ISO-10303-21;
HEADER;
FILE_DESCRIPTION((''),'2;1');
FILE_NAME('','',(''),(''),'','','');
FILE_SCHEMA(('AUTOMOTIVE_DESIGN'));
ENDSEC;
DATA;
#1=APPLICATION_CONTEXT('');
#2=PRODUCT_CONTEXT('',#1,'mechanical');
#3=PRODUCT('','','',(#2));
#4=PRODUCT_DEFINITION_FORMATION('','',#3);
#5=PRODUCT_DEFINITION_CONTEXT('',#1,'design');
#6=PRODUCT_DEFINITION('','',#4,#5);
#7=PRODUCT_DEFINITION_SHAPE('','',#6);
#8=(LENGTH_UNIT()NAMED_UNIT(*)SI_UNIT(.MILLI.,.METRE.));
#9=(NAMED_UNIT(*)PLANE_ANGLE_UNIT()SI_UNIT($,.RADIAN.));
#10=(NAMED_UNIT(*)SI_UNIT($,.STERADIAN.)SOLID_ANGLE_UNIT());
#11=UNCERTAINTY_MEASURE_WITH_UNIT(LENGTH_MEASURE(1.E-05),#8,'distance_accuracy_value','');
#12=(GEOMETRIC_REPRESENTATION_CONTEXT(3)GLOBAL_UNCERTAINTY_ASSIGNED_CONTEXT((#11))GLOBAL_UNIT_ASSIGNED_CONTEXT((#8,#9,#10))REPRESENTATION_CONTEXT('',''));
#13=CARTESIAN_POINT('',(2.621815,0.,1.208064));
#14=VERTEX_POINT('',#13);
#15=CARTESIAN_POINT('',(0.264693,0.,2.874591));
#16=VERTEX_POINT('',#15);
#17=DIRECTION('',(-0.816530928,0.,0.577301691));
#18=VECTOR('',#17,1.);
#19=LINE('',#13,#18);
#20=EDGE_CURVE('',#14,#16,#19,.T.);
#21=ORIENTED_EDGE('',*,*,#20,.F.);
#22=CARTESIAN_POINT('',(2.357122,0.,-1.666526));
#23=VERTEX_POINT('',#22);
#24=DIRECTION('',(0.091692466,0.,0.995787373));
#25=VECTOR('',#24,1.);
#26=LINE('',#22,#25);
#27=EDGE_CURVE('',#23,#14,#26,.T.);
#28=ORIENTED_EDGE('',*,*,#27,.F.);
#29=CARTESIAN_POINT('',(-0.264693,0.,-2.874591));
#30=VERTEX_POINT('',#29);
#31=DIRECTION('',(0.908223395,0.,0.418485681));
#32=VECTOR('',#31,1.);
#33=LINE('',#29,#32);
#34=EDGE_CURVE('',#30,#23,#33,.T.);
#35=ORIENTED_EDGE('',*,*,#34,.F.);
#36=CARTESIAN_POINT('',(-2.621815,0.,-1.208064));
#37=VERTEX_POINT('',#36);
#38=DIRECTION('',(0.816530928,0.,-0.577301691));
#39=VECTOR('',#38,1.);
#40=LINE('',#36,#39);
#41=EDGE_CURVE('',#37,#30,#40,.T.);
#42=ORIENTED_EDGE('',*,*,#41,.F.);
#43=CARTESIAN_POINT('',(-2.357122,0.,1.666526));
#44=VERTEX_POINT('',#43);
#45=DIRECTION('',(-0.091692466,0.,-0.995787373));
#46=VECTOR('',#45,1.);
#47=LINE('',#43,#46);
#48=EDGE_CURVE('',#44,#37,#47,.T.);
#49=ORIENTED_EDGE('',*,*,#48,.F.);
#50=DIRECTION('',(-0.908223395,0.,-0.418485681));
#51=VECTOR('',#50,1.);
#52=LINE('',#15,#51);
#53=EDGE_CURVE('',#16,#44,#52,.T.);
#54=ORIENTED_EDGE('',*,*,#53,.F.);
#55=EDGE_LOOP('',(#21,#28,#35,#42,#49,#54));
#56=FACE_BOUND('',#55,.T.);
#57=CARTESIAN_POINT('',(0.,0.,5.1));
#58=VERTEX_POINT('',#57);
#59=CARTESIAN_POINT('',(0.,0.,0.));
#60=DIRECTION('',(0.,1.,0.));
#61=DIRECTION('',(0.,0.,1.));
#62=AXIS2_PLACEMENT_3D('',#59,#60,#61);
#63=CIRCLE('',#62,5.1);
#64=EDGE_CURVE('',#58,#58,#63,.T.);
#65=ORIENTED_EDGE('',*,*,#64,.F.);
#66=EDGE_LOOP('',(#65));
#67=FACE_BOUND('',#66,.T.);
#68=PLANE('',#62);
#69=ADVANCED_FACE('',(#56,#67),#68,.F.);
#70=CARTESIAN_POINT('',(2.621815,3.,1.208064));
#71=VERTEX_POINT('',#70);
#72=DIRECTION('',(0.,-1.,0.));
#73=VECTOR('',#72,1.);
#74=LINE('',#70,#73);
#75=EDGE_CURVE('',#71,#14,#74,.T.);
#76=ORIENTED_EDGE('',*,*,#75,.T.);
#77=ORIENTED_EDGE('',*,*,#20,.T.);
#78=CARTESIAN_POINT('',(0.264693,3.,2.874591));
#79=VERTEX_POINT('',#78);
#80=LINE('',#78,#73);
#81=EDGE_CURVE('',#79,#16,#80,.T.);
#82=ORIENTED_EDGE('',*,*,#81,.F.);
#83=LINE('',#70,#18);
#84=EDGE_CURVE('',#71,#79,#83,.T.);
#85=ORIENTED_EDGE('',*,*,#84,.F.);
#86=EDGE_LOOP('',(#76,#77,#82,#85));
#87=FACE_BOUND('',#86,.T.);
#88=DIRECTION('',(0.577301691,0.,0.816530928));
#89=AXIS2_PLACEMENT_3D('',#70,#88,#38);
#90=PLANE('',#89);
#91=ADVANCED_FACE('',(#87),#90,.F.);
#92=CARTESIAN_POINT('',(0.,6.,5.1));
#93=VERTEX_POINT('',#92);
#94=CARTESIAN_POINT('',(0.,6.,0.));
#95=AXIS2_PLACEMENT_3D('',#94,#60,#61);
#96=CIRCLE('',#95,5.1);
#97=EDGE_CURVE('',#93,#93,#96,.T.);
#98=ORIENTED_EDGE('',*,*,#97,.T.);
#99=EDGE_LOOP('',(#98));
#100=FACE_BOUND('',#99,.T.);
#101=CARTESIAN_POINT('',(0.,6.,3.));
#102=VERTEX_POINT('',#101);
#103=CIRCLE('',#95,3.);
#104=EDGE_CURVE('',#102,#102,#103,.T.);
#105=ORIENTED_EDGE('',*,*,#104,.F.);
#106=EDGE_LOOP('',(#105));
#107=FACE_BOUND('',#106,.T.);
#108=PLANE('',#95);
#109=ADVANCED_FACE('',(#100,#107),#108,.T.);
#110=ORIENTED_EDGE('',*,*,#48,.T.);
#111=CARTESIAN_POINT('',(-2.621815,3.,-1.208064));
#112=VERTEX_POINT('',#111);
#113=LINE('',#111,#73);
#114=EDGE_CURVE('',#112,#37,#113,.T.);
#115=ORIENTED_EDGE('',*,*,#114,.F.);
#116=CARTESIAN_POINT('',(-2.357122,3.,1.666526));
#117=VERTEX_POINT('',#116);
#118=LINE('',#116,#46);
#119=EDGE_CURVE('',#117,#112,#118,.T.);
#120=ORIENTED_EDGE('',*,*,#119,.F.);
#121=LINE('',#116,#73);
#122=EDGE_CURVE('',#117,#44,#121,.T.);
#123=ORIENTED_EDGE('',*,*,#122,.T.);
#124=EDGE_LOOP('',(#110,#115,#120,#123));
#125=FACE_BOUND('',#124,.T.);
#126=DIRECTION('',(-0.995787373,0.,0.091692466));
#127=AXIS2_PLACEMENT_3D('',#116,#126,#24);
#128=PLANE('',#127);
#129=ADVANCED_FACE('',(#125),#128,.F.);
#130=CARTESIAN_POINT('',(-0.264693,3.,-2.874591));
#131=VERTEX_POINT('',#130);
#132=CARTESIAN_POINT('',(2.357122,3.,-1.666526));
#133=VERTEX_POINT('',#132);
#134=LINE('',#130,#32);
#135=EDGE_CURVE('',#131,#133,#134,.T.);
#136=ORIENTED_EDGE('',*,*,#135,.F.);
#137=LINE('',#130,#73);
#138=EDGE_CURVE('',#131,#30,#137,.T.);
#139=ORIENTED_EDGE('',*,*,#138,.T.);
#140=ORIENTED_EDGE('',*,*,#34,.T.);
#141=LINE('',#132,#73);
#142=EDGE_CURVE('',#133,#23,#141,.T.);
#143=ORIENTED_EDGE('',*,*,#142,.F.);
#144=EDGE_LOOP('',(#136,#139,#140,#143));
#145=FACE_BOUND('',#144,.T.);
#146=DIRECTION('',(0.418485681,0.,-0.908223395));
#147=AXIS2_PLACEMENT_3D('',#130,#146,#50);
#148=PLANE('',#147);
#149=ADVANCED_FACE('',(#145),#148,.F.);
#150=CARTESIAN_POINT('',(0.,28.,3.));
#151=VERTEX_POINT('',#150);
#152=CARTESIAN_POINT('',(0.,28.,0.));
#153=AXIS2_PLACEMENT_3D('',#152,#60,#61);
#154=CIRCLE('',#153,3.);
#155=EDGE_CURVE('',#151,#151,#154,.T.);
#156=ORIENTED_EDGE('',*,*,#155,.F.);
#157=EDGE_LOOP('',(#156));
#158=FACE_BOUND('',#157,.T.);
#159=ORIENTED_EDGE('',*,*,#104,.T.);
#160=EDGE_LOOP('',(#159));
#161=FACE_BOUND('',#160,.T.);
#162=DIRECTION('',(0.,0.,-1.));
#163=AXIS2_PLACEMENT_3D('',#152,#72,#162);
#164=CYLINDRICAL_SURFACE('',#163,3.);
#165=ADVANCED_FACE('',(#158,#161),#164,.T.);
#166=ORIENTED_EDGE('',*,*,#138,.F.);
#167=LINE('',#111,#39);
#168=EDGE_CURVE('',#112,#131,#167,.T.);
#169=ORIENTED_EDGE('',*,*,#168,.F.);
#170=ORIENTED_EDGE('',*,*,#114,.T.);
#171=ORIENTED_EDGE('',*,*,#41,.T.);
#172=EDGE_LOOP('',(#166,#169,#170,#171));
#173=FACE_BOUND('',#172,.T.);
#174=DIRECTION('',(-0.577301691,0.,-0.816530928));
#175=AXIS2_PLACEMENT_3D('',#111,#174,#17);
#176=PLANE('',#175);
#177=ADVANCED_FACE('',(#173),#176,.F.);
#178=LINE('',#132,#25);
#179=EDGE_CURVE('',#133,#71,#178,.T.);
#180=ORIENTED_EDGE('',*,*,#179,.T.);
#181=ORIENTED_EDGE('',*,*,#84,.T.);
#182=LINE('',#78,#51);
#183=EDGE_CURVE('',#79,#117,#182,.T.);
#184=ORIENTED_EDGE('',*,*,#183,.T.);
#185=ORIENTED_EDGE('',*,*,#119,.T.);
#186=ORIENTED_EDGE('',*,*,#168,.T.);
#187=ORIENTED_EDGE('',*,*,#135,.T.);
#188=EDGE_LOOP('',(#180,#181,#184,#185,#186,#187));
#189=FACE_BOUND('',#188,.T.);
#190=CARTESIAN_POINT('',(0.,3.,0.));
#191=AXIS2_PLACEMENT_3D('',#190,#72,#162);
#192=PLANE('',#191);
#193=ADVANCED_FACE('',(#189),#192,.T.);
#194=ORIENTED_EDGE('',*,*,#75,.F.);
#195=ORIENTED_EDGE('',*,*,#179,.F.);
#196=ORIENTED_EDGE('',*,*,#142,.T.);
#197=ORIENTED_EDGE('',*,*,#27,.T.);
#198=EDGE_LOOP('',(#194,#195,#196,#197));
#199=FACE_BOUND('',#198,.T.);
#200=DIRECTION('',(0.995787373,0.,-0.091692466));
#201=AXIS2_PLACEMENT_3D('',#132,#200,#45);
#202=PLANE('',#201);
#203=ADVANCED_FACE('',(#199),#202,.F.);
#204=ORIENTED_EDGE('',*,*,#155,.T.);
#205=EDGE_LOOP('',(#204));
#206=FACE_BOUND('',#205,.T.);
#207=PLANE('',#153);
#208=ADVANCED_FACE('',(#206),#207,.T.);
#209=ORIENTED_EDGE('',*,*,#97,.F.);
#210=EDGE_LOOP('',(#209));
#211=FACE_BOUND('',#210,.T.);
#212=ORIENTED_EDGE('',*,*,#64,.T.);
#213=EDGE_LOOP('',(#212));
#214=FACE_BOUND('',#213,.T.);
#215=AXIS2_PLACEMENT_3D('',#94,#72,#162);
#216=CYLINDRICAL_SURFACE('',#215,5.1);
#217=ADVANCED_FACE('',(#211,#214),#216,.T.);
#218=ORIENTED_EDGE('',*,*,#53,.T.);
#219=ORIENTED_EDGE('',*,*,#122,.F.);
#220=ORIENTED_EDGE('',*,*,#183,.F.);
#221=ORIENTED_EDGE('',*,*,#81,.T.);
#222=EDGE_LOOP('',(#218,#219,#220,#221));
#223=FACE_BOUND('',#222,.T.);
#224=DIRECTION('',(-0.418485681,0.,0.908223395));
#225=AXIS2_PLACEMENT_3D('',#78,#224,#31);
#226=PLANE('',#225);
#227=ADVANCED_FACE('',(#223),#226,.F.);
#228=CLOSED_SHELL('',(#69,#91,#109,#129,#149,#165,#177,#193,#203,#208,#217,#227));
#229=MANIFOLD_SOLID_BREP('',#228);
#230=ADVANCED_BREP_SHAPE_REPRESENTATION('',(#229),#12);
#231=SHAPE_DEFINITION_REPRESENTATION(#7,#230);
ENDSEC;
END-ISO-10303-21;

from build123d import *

# Parameters (mm, degrees)
SKETCH_1_R          = 5.1
EXTRUDE_1_DEPTH     = 6
SKETCH_2_R          = 3
EXTRUDE_2_DEPTH     = 22
CUT_EXTRUDE_1_DEPTH = 3


with BuildPart() as part:
    # 草图1 → 凸台-拉伸1 (new body)
    with BuildSketch(Plane(origin=(0, 0, 0), x_dir=(1, 0, 0), z_dir=(0, 1, 0))):
        with Locations(Location((0, 0, 0), (0, 0, 270))):
            Circle(SKETCH_1_R)
    extrude(amount=EXTRUDE_1_DEPTH)

    # 草图2 → 凸台-拉伸2 (add)
    with BuildSketch(Plane(origin=(0, 6, 0), x_dir=(1, 0, 0), z_dir=(0, 1, 0))):
        with Locations(Location((0, 0, 0), (0, 0, 270))):
            Circle(SKETCH_2_R)
    extrude(amount=EXTRUDE_2_DEPTH)

    # 草图3 → 切除-拉伸1 (cut)
    with BuildSketch(Plane.XZ):
        Polygon((2.357121757, -1.666526435), (2.621815107, 1.208064104), (0.26469335, 2.874590538), (-2.357121757, 1.666526435), (-2.621815107, -1.208064104), (-0.26469335, -2.874590538), align=None)
    extrude(amount=-CUT_EXTRUDE_1_DEPTH, mode=Mode.SUBTRACT)


solid = part.part
